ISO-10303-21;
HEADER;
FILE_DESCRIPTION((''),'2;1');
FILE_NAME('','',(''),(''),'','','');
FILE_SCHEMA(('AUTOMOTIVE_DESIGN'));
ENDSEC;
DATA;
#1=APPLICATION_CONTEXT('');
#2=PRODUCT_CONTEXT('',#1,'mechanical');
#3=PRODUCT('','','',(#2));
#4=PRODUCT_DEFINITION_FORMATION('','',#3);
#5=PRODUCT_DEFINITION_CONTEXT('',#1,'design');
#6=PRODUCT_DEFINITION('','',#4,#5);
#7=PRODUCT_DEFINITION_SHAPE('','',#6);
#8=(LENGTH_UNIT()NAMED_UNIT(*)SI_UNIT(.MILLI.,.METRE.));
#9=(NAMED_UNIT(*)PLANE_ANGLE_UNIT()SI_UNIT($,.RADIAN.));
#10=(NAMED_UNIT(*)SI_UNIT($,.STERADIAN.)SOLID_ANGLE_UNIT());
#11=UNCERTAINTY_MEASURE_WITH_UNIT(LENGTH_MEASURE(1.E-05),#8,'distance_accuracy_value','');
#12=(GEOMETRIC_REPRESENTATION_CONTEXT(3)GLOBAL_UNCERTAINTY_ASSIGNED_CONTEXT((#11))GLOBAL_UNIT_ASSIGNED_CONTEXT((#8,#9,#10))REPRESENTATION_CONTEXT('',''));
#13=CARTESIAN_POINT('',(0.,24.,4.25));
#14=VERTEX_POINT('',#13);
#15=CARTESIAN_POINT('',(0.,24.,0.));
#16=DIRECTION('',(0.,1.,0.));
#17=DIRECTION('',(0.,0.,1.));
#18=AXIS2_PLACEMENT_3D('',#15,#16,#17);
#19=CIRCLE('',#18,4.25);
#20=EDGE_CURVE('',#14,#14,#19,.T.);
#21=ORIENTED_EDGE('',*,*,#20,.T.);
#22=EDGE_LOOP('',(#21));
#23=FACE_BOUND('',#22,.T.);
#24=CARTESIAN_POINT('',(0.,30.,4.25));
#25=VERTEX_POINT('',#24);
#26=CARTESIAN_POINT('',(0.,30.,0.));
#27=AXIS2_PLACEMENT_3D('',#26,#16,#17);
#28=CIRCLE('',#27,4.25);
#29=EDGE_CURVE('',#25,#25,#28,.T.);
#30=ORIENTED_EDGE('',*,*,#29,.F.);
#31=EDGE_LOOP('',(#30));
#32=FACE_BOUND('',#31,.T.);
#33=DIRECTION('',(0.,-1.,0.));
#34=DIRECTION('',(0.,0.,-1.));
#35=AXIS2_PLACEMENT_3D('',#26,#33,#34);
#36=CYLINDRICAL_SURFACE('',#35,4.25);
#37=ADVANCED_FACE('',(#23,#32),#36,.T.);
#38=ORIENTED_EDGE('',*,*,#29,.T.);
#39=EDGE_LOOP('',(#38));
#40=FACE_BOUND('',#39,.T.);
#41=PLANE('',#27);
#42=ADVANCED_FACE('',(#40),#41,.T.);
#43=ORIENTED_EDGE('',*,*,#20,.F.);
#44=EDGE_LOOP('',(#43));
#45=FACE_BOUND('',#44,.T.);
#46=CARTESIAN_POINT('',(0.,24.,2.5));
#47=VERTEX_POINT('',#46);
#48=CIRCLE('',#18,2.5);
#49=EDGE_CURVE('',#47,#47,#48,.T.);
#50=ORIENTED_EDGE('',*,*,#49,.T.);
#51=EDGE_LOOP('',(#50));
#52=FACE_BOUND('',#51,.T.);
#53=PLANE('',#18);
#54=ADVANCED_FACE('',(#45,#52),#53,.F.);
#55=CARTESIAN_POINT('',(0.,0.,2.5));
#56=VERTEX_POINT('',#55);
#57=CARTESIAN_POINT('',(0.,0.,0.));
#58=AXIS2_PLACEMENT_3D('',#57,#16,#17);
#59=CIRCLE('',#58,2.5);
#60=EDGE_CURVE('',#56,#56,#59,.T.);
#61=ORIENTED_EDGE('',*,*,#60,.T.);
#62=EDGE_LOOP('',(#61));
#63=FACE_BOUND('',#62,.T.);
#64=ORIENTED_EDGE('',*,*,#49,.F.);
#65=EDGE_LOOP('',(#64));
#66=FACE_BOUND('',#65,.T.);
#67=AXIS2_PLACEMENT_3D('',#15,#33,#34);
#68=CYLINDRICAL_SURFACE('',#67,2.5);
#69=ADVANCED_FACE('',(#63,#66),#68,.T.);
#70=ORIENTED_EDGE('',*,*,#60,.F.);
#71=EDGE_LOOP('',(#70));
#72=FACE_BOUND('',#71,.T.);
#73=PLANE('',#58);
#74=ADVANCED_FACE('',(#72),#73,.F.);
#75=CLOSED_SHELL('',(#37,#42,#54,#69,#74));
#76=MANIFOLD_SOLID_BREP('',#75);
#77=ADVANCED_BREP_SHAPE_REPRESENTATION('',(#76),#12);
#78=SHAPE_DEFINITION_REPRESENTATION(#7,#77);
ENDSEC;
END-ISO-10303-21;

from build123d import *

# Parameters (mm, degrees)
SKETCH1_R           = 2.5
BOSS_EXTRUDE1_DEPTH = 24
SKETCH2_R           = 4.25
BOSS_EXTRUDE2_DEPTH = 6


with BuildPart() as part:
    # Sketch1 → Boss-Extrude1 (new body)
    with BuildSketch(Plane(origin=(0, 0, 0), x_dir=(1, 0, 0), z_dir=(0, 1, 0))):
        Circle(SKETCH1_R)
    extrude(amount=BOSS_EXTRUDE1_DEPTH)

    # Sketch2 → Boss-Extrude2 (add)
    with BuildSketch(Plane(origin=(0, 24, 0), x_dir=(1, 0, 0), z_dir=(0, 1, 0))):
        Circle(SKETCH2_R)
    extrude(amount=BOSS_EXTRUDE2_DEPTH)


solid = part.part
